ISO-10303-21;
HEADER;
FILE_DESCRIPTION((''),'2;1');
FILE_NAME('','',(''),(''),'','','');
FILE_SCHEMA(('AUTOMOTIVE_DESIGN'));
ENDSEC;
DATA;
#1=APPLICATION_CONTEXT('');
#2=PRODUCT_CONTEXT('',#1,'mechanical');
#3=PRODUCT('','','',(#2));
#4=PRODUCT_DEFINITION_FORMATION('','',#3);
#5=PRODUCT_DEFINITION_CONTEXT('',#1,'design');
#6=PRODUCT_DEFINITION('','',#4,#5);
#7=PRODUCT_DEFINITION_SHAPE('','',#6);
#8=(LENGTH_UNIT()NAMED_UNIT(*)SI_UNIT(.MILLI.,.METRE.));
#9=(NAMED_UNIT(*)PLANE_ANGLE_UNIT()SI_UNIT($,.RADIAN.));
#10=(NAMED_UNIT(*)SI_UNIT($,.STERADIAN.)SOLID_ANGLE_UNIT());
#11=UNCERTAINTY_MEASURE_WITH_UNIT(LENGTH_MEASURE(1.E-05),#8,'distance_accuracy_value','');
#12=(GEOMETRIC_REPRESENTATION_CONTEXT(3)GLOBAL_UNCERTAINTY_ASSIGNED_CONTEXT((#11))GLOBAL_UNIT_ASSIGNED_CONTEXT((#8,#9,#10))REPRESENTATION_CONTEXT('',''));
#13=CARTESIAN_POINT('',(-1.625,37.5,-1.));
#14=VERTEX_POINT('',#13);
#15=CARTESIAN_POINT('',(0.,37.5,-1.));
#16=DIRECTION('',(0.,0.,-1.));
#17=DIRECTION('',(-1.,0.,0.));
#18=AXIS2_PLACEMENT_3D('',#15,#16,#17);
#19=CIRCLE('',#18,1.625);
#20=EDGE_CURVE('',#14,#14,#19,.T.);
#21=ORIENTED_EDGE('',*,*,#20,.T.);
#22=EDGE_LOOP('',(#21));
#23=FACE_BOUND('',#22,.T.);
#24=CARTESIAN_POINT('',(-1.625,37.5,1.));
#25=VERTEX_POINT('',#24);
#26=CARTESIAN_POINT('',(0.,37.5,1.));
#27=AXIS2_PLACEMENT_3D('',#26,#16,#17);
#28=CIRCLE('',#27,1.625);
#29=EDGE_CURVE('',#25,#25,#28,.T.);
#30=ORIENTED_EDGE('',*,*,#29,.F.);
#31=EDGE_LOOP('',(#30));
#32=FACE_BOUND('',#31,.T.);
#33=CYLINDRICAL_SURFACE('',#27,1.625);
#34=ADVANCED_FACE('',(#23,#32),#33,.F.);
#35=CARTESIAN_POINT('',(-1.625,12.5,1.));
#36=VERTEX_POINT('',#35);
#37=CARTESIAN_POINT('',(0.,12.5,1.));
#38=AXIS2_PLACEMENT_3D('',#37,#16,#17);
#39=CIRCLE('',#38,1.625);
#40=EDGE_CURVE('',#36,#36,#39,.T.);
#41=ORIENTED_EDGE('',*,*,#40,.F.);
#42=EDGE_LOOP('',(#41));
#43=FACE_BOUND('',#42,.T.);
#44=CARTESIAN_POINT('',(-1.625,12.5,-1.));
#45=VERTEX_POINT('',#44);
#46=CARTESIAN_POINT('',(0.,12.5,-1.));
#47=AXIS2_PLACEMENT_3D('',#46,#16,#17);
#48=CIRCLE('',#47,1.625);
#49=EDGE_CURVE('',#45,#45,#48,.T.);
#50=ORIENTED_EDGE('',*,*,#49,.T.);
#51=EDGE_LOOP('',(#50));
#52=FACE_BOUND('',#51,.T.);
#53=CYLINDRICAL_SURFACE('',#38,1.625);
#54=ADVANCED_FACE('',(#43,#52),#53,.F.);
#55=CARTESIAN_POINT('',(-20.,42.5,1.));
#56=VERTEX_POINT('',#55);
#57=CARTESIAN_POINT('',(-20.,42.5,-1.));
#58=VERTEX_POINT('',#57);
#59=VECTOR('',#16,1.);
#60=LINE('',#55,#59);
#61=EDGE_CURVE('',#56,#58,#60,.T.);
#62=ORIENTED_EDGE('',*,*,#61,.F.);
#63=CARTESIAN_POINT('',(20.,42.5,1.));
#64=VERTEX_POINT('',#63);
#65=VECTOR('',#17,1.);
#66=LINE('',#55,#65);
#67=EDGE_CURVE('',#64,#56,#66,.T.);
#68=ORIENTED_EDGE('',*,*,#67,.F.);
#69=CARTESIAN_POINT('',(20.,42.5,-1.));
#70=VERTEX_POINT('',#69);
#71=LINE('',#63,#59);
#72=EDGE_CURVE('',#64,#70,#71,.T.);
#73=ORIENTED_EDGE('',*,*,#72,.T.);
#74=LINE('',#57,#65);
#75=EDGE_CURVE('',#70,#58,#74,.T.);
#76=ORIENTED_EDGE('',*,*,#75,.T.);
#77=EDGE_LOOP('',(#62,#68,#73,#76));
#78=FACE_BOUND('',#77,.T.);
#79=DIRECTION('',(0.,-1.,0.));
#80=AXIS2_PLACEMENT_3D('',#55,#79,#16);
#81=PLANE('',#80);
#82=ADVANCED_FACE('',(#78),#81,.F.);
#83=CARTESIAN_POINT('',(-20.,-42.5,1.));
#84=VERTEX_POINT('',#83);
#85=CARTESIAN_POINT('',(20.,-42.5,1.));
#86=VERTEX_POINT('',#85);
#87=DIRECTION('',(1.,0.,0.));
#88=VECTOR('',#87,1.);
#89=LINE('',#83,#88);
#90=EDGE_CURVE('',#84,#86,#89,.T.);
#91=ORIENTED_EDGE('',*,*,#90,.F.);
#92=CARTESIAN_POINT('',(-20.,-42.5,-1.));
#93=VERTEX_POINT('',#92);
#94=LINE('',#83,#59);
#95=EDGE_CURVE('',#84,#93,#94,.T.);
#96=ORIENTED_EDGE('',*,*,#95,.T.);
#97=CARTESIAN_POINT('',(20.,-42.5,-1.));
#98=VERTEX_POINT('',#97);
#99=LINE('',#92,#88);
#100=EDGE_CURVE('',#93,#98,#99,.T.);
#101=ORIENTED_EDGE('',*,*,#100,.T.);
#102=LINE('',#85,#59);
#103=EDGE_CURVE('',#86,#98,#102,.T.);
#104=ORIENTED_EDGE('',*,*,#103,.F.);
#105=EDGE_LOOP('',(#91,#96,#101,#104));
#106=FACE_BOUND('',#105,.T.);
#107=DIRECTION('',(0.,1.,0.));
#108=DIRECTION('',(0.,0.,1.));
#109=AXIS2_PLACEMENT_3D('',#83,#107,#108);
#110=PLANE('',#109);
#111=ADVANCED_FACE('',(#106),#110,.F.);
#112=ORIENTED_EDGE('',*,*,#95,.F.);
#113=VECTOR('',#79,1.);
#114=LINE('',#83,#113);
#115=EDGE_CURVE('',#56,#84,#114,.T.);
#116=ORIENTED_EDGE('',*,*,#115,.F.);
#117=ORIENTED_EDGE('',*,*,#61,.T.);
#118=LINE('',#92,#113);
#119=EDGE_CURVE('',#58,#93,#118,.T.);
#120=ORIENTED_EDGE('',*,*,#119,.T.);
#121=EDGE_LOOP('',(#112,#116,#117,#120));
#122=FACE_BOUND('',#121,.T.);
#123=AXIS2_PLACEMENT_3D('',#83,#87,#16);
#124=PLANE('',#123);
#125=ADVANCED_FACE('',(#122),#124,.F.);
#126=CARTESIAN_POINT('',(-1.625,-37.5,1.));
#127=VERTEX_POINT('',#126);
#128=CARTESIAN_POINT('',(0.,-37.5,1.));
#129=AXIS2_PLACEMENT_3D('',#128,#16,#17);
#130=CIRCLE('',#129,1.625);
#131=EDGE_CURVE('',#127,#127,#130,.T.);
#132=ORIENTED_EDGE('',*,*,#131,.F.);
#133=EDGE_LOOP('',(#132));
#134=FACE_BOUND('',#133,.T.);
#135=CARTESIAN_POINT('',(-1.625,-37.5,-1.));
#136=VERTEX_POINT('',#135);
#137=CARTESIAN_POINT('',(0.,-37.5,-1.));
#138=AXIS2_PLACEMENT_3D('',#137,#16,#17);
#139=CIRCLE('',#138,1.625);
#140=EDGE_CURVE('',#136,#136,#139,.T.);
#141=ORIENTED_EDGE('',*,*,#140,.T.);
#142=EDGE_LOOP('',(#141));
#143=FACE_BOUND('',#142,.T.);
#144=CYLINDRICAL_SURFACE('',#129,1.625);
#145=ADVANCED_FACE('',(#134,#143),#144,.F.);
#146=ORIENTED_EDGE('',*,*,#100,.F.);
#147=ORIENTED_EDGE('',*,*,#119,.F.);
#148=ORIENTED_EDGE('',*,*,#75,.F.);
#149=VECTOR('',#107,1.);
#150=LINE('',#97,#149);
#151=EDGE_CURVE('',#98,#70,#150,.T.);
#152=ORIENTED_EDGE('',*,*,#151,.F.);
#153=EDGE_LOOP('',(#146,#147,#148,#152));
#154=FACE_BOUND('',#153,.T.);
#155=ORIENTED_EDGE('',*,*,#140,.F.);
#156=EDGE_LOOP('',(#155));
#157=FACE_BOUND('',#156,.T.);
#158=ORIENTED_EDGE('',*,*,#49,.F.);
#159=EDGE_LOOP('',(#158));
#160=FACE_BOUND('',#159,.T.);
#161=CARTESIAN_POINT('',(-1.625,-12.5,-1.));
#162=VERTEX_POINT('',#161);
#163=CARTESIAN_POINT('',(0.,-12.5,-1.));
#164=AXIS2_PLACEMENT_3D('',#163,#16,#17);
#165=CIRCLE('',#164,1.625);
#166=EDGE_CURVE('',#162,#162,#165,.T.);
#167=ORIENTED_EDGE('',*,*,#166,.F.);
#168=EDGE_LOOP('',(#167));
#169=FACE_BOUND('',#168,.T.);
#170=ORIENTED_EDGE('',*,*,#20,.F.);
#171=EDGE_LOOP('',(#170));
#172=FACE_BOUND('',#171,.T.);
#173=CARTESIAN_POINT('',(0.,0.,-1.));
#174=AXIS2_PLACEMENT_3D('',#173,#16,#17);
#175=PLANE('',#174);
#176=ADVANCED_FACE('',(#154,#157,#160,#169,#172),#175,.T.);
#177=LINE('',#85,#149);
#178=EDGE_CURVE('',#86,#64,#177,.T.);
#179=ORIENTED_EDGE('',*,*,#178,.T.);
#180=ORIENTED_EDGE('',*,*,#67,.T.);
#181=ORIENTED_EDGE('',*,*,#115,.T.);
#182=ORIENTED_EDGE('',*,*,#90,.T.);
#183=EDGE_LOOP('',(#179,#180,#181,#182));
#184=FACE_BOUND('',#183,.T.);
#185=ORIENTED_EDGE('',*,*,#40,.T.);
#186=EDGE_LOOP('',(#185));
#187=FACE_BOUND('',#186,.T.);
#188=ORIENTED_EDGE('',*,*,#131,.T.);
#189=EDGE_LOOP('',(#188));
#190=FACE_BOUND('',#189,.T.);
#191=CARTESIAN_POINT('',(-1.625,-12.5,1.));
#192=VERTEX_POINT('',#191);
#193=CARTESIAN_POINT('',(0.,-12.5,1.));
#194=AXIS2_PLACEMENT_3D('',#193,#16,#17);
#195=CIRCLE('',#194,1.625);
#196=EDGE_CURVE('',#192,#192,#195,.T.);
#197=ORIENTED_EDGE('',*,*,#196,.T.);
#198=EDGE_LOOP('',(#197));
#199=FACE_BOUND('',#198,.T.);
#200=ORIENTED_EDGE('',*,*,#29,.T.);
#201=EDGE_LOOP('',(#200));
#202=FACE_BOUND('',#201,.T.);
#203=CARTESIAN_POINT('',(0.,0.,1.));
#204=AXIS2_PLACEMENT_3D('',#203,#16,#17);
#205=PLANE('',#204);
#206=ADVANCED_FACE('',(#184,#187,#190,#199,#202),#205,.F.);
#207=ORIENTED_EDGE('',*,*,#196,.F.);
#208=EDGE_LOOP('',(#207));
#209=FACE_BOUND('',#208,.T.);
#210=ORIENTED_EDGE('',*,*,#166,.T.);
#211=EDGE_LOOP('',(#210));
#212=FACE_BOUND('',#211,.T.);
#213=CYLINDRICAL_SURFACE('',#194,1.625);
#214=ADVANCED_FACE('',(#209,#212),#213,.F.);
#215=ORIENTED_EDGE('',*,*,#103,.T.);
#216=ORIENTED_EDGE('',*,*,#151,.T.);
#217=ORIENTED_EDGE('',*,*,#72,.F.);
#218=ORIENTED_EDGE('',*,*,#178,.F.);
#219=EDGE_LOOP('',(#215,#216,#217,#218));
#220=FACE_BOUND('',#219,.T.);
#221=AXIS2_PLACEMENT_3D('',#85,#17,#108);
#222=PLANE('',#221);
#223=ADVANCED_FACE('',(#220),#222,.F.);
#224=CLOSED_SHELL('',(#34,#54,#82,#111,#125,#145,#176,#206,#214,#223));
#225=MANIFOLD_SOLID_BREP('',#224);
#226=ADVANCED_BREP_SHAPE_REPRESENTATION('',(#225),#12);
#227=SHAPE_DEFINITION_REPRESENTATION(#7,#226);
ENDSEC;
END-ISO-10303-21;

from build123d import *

# Parameters (mm, degrees)
SCHIZZO1_W                   = 40
SCHIZZO1_H                   = 85
ESTRUSIONE_ESTRUSIONE1_DEPTH = 1
SCHIZZO2_R                   = 1.625
TAGLIO_ESTRUSIONE1_DEPTH     = 2
RIPETIZIONE_A_L1_COUNT       = 4
RIPETIZIONE_A_L1_PITCH       = 25


with BuildPart() as part:
    # Schizzo1 → Estrusione-Estrusione1 (new body, symmetric)
    with BuildSketch(Plane.XY):
        Rectangle(SCHIZZO1_W, SCHIZZO1_H)
    extrude(amount=ESTRUSIONE_ESTRUSIONE1_DEPTH, both=True)

    # Schizzo2 → Taglio-Estrusione1 (cut)
    with BuildSketch(Plane(origin=(0, 0, -1), x_dir=(-1, 0, 0), z_dir=(0, 0, -1))):
        with Locations((0, 37.5)):
            Circle(SCHIZZO2_R)
    taglio_estrusione1 = extrude(amount=-TAGLIO_ESTRUSIONE1_DEPTH, mode=Mode.SUBTRACT)

    # Ripetizione a L1: Taglio-Estrusione1 ×4
    with Locations(*[(0, -i * RIPETIZIONE_A_L1_PITCH, 0) for i in range(1, RIPETIZIONE_A_L1_COUNT)]):
        add(taglio_estrusione1, mode=Mode.SUBTRACT)


solid = part.part
